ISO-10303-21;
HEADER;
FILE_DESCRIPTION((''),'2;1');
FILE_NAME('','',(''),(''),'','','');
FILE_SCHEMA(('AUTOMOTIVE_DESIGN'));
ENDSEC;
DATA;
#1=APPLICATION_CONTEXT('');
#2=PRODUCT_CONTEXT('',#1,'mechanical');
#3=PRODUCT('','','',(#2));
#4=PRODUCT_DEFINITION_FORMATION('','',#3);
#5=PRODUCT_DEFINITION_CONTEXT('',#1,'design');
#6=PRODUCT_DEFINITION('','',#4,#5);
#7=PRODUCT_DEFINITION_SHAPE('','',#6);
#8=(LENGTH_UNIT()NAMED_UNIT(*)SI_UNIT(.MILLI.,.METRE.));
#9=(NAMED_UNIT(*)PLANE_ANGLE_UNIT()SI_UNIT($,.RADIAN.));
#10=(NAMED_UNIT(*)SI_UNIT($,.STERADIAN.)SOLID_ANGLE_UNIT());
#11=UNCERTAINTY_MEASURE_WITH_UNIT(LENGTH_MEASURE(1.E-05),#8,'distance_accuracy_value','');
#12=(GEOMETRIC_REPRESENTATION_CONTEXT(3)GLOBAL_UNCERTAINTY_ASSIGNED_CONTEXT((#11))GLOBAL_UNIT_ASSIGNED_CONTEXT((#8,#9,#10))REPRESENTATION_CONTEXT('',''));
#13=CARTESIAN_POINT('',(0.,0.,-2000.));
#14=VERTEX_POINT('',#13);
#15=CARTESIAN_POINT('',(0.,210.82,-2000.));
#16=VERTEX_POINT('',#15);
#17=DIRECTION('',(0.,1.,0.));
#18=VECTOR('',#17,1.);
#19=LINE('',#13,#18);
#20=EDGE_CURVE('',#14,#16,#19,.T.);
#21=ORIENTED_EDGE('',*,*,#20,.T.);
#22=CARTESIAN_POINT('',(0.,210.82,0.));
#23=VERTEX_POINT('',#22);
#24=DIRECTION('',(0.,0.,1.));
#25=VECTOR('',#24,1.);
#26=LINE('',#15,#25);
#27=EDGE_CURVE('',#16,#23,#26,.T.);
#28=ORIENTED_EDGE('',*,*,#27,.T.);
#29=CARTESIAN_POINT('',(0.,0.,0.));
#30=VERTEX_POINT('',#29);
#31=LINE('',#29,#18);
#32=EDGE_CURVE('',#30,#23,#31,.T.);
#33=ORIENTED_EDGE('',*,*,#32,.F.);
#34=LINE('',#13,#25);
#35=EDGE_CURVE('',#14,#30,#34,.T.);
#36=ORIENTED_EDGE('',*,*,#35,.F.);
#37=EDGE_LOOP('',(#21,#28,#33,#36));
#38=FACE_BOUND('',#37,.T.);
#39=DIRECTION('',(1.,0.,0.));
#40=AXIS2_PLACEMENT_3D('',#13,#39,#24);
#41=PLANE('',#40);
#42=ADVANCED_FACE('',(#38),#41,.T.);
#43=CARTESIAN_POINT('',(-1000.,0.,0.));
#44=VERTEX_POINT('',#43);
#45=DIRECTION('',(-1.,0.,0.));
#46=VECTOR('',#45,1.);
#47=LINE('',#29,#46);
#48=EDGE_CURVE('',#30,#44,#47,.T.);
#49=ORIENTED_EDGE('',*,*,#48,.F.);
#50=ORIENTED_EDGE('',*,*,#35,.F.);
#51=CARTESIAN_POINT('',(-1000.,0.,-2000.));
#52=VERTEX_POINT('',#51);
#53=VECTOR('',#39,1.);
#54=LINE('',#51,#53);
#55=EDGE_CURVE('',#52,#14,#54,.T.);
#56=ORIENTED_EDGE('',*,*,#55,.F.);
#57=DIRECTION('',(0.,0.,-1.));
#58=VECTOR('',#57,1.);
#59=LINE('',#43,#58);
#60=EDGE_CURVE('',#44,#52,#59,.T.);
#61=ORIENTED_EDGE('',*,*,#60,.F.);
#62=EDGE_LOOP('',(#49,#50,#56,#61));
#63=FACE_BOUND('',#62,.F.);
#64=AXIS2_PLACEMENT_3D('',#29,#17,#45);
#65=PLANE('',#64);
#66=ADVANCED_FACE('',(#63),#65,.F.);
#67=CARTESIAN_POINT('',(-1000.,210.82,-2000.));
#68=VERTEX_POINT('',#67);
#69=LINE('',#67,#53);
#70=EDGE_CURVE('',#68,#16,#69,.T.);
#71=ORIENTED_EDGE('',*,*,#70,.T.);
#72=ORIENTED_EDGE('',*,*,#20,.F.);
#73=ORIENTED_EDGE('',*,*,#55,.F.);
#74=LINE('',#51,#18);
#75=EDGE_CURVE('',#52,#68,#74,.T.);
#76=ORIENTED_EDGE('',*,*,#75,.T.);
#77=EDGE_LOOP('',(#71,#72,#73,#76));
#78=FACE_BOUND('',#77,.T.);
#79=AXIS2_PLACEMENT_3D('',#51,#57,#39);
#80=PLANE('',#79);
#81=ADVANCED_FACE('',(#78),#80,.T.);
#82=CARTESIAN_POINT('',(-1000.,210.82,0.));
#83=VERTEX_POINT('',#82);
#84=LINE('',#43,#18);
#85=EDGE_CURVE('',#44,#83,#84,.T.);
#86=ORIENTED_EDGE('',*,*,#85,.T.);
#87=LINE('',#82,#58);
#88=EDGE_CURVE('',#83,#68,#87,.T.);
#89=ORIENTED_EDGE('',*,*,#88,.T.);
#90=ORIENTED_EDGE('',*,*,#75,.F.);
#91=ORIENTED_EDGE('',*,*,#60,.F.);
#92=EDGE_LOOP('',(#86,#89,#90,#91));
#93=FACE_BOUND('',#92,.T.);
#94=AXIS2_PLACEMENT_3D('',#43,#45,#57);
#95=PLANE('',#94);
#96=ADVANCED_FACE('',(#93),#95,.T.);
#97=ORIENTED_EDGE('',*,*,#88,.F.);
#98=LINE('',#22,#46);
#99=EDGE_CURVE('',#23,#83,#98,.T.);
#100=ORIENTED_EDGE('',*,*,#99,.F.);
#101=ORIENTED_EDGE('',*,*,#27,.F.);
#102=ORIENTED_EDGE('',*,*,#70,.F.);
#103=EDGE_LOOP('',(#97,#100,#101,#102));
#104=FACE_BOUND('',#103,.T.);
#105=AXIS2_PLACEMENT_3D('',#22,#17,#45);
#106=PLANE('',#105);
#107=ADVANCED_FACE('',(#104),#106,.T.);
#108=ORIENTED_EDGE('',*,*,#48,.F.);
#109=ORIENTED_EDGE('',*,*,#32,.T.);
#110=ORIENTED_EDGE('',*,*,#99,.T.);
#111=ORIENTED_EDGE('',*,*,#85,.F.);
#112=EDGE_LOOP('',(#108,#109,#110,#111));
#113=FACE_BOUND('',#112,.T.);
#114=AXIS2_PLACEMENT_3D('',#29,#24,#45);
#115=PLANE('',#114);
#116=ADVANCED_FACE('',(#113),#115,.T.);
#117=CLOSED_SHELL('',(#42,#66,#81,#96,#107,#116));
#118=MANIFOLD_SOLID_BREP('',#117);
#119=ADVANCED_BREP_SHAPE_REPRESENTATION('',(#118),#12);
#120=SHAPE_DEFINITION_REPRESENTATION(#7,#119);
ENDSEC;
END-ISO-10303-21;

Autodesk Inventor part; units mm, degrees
ref_plane "YZ Plane" through (0, 0, 0) normal (1, 0, 0) x (0, 1, 0)
ref_plane "XZ Plane" through (0, 0, 0) normal (0, 1, 0) x (-1, 0, 0)
ref_plane "XY Plane" through (0, 0, 0) normal (0, 0, 1) x (1, 0, 0)
sketch "Sketch1" plane through (0, 0, 0) normal (0, 1, 0) x (-1, 0, 0)
  line L0 (0, 0) -> (1000, 0)
  line L1 (1000, 0) -> (1000, -2000)
  line L2 (1000, -2000) -> (0, -2000)
  line L3 (0, -2000) -> (0, 0)
  dimension "d0" = 1000
  dimension "d1" = 2000
extrude "Extrusion1" add sketch "Sketch1" along normal blind 210.82
properties part number "Table"
